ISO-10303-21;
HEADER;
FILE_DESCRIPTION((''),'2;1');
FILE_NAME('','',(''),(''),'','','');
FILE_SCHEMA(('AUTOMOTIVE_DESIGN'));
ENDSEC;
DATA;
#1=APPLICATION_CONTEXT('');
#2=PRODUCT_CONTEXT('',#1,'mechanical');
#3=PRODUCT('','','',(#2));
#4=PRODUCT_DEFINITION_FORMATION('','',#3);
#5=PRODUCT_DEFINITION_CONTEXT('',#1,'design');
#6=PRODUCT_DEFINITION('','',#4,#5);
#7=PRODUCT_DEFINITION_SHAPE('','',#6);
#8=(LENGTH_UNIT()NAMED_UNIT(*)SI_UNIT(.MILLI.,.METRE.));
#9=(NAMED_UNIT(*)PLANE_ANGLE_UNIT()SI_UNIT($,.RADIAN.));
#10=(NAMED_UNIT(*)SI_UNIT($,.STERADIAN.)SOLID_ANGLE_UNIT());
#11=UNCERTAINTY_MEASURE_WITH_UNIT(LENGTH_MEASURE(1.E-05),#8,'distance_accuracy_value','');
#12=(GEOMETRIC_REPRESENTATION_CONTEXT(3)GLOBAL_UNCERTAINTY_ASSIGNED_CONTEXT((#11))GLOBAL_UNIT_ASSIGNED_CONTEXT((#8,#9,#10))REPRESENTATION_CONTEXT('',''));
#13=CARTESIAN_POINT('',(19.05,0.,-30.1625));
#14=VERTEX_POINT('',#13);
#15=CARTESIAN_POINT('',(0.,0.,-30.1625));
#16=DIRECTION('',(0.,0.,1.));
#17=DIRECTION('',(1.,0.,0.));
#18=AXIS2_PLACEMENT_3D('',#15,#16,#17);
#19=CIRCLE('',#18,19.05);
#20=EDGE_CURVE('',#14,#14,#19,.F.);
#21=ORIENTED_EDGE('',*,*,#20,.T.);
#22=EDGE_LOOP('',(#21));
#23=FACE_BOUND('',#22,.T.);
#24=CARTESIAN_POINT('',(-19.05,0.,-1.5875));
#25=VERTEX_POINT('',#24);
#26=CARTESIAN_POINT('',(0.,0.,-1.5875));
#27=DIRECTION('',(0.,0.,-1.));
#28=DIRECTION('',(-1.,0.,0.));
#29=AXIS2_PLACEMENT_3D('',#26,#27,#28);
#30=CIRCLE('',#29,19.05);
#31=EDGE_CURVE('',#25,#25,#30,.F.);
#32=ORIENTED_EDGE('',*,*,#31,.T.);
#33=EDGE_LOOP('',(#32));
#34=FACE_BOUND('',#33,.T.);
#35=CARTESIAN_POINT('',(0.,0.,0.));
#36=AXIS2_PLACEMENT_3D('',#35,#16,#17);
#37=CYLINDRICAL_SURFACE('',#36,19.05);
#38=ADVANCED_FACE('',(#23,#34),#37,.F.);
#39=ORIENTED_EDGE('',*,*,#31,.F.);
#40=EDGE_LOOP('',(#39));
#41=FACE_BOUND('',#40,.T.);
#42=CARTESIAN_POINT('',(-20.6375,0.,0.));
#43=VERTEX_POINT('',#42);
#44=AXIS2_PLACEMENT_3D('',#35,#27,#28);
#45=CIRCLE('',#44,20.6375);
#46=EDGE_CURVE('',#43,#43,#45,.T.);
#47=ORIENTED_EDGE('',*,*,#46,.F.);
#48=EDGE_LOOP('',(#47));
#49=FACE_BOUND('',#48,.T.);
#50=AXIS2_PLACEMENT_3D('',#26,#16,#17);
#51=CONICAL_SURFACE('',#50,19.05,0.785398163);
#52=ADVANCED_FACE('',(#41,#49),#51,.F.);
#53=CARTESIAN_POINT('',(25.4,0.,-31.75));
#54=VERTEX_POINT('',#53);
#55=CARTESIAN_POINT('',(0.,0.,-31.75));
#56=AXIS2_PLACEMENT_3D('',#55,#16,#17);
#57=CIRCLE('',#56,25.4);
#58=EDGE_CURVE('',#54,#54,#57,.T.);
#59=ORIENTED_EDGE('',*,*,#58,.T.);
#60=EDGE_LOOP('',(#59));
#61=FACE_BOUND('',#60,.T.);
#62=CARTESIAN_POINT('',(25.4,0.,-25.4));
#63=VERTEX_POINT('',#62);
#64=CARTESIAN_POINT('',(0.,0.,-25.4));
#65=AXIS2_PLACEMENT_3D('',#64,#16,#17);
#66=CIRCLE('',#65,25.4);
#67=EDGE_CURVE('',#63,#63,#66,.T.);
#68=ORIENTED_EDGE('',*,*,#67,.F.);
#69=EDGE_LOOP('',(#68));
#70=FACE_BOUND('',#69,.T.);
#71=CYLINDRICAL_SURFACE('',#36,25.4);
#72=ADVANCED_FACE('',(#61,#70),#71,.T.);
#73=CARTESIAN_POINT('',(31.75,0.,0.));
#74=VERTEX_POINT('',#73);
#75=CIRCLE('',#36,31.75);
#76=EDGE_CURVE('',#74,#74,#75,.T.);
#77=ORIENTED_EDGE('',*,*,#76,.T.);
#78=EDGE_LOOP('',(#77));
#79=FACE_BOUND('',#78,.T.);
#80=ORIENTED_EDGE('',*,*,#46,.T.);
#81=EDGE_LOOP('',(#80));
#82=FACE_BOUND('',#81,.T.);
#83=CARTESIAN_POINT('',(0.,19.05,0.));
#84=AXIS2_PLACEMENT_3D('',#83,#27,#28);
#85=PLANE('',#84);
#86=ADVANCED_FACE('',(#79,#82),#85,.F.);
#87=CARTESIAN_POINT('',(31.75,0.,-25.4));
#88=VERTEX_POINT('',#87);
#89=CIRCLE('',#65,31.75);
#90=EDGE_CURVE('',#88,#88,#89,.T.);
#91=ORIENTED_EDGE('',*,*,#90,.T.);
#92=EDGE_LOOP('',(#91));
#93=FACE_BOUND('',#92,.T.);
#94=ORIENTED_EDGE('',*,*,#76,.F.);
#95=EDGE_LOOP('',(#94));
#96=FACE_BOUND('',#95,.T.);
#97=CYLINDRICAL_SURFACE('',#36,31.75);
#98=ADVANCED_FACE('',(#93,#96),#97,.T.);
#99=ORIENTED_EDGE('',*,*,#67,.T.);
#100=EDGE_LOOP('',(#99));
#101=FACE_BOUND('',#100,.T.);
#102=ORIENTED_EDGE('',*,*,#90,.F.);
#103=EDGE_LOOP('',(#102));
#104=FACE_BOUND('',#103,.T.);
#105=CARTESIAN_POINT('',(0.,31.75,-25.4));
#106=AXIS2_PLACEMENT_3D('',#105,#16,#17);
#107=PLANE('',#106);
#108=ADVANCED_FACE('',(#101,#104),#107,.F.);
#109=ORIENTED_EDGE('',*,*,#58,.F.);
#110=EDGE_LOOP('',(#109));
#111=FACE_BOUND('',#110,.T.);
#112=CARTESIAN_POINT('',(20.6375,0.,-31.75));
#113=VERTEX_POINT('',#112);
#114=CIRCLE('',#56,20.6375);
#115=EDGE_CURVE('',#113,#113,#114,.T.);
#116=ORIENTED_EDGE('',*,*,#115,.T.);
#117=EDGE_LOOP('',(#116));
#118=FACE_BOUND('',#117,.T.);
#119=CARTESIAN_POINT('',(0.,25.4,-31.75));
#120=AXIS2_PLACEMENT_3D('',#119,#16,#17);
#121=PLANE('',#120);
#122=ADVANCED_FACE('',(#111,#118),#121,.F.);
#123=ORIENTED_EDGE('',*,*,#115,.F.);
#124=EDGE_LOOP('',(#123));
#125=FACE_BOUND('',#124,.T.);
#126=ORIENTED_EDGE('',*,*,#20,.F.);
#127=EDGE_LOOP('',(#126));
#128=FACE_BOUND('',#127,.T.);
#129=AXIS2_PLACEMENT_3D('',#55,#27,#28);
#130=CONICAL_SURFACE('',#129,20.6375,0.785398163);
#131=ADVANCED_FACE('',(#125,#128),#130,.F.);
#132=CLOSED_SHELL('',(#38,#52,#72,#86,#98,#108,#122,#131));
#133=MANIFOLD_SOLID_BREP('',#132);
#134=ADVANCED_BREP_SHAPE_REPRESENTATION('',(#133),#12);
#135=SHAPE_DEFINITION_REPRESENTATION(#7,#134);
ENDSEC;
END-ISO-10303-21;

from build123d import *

# Parameters (mm, degrees)
CHAMFER1_SIZE = 1.5875


with BuildPart() as part:
    # Sketch1 → Revolve1 (revolve)
    with BuildSketch(Plane(origin=(0, 0, 0), x_dir=(0, 0, -1), z_dir=(1, 0, 0)), mode=Mode.PRIVATE) as revolve1_sk:
        Polygon((0, 19.05), (0, 31.75), (25.4, 31.75), (25.4, 25.4), (31.75, 25.4), (31.75, 19.05), align=None)
    revolve(revolve1_sk.sketch.rotate(Axis((0, 0, 0), (0, 0, -1)), 90), axis=Axis((0, 0, 0), (0, 0, -1)))

    # Chamfer1
    chamfer1_edges = [part.edges().sort_by_distance(p)[0] for p in [
        (-19.05, 0, -31.75),
        (-19.05, 0, 0),
    ]]
    chamfer(chamfer1_edges, length=CHAMFER1_SIZE)


solid = part.part
